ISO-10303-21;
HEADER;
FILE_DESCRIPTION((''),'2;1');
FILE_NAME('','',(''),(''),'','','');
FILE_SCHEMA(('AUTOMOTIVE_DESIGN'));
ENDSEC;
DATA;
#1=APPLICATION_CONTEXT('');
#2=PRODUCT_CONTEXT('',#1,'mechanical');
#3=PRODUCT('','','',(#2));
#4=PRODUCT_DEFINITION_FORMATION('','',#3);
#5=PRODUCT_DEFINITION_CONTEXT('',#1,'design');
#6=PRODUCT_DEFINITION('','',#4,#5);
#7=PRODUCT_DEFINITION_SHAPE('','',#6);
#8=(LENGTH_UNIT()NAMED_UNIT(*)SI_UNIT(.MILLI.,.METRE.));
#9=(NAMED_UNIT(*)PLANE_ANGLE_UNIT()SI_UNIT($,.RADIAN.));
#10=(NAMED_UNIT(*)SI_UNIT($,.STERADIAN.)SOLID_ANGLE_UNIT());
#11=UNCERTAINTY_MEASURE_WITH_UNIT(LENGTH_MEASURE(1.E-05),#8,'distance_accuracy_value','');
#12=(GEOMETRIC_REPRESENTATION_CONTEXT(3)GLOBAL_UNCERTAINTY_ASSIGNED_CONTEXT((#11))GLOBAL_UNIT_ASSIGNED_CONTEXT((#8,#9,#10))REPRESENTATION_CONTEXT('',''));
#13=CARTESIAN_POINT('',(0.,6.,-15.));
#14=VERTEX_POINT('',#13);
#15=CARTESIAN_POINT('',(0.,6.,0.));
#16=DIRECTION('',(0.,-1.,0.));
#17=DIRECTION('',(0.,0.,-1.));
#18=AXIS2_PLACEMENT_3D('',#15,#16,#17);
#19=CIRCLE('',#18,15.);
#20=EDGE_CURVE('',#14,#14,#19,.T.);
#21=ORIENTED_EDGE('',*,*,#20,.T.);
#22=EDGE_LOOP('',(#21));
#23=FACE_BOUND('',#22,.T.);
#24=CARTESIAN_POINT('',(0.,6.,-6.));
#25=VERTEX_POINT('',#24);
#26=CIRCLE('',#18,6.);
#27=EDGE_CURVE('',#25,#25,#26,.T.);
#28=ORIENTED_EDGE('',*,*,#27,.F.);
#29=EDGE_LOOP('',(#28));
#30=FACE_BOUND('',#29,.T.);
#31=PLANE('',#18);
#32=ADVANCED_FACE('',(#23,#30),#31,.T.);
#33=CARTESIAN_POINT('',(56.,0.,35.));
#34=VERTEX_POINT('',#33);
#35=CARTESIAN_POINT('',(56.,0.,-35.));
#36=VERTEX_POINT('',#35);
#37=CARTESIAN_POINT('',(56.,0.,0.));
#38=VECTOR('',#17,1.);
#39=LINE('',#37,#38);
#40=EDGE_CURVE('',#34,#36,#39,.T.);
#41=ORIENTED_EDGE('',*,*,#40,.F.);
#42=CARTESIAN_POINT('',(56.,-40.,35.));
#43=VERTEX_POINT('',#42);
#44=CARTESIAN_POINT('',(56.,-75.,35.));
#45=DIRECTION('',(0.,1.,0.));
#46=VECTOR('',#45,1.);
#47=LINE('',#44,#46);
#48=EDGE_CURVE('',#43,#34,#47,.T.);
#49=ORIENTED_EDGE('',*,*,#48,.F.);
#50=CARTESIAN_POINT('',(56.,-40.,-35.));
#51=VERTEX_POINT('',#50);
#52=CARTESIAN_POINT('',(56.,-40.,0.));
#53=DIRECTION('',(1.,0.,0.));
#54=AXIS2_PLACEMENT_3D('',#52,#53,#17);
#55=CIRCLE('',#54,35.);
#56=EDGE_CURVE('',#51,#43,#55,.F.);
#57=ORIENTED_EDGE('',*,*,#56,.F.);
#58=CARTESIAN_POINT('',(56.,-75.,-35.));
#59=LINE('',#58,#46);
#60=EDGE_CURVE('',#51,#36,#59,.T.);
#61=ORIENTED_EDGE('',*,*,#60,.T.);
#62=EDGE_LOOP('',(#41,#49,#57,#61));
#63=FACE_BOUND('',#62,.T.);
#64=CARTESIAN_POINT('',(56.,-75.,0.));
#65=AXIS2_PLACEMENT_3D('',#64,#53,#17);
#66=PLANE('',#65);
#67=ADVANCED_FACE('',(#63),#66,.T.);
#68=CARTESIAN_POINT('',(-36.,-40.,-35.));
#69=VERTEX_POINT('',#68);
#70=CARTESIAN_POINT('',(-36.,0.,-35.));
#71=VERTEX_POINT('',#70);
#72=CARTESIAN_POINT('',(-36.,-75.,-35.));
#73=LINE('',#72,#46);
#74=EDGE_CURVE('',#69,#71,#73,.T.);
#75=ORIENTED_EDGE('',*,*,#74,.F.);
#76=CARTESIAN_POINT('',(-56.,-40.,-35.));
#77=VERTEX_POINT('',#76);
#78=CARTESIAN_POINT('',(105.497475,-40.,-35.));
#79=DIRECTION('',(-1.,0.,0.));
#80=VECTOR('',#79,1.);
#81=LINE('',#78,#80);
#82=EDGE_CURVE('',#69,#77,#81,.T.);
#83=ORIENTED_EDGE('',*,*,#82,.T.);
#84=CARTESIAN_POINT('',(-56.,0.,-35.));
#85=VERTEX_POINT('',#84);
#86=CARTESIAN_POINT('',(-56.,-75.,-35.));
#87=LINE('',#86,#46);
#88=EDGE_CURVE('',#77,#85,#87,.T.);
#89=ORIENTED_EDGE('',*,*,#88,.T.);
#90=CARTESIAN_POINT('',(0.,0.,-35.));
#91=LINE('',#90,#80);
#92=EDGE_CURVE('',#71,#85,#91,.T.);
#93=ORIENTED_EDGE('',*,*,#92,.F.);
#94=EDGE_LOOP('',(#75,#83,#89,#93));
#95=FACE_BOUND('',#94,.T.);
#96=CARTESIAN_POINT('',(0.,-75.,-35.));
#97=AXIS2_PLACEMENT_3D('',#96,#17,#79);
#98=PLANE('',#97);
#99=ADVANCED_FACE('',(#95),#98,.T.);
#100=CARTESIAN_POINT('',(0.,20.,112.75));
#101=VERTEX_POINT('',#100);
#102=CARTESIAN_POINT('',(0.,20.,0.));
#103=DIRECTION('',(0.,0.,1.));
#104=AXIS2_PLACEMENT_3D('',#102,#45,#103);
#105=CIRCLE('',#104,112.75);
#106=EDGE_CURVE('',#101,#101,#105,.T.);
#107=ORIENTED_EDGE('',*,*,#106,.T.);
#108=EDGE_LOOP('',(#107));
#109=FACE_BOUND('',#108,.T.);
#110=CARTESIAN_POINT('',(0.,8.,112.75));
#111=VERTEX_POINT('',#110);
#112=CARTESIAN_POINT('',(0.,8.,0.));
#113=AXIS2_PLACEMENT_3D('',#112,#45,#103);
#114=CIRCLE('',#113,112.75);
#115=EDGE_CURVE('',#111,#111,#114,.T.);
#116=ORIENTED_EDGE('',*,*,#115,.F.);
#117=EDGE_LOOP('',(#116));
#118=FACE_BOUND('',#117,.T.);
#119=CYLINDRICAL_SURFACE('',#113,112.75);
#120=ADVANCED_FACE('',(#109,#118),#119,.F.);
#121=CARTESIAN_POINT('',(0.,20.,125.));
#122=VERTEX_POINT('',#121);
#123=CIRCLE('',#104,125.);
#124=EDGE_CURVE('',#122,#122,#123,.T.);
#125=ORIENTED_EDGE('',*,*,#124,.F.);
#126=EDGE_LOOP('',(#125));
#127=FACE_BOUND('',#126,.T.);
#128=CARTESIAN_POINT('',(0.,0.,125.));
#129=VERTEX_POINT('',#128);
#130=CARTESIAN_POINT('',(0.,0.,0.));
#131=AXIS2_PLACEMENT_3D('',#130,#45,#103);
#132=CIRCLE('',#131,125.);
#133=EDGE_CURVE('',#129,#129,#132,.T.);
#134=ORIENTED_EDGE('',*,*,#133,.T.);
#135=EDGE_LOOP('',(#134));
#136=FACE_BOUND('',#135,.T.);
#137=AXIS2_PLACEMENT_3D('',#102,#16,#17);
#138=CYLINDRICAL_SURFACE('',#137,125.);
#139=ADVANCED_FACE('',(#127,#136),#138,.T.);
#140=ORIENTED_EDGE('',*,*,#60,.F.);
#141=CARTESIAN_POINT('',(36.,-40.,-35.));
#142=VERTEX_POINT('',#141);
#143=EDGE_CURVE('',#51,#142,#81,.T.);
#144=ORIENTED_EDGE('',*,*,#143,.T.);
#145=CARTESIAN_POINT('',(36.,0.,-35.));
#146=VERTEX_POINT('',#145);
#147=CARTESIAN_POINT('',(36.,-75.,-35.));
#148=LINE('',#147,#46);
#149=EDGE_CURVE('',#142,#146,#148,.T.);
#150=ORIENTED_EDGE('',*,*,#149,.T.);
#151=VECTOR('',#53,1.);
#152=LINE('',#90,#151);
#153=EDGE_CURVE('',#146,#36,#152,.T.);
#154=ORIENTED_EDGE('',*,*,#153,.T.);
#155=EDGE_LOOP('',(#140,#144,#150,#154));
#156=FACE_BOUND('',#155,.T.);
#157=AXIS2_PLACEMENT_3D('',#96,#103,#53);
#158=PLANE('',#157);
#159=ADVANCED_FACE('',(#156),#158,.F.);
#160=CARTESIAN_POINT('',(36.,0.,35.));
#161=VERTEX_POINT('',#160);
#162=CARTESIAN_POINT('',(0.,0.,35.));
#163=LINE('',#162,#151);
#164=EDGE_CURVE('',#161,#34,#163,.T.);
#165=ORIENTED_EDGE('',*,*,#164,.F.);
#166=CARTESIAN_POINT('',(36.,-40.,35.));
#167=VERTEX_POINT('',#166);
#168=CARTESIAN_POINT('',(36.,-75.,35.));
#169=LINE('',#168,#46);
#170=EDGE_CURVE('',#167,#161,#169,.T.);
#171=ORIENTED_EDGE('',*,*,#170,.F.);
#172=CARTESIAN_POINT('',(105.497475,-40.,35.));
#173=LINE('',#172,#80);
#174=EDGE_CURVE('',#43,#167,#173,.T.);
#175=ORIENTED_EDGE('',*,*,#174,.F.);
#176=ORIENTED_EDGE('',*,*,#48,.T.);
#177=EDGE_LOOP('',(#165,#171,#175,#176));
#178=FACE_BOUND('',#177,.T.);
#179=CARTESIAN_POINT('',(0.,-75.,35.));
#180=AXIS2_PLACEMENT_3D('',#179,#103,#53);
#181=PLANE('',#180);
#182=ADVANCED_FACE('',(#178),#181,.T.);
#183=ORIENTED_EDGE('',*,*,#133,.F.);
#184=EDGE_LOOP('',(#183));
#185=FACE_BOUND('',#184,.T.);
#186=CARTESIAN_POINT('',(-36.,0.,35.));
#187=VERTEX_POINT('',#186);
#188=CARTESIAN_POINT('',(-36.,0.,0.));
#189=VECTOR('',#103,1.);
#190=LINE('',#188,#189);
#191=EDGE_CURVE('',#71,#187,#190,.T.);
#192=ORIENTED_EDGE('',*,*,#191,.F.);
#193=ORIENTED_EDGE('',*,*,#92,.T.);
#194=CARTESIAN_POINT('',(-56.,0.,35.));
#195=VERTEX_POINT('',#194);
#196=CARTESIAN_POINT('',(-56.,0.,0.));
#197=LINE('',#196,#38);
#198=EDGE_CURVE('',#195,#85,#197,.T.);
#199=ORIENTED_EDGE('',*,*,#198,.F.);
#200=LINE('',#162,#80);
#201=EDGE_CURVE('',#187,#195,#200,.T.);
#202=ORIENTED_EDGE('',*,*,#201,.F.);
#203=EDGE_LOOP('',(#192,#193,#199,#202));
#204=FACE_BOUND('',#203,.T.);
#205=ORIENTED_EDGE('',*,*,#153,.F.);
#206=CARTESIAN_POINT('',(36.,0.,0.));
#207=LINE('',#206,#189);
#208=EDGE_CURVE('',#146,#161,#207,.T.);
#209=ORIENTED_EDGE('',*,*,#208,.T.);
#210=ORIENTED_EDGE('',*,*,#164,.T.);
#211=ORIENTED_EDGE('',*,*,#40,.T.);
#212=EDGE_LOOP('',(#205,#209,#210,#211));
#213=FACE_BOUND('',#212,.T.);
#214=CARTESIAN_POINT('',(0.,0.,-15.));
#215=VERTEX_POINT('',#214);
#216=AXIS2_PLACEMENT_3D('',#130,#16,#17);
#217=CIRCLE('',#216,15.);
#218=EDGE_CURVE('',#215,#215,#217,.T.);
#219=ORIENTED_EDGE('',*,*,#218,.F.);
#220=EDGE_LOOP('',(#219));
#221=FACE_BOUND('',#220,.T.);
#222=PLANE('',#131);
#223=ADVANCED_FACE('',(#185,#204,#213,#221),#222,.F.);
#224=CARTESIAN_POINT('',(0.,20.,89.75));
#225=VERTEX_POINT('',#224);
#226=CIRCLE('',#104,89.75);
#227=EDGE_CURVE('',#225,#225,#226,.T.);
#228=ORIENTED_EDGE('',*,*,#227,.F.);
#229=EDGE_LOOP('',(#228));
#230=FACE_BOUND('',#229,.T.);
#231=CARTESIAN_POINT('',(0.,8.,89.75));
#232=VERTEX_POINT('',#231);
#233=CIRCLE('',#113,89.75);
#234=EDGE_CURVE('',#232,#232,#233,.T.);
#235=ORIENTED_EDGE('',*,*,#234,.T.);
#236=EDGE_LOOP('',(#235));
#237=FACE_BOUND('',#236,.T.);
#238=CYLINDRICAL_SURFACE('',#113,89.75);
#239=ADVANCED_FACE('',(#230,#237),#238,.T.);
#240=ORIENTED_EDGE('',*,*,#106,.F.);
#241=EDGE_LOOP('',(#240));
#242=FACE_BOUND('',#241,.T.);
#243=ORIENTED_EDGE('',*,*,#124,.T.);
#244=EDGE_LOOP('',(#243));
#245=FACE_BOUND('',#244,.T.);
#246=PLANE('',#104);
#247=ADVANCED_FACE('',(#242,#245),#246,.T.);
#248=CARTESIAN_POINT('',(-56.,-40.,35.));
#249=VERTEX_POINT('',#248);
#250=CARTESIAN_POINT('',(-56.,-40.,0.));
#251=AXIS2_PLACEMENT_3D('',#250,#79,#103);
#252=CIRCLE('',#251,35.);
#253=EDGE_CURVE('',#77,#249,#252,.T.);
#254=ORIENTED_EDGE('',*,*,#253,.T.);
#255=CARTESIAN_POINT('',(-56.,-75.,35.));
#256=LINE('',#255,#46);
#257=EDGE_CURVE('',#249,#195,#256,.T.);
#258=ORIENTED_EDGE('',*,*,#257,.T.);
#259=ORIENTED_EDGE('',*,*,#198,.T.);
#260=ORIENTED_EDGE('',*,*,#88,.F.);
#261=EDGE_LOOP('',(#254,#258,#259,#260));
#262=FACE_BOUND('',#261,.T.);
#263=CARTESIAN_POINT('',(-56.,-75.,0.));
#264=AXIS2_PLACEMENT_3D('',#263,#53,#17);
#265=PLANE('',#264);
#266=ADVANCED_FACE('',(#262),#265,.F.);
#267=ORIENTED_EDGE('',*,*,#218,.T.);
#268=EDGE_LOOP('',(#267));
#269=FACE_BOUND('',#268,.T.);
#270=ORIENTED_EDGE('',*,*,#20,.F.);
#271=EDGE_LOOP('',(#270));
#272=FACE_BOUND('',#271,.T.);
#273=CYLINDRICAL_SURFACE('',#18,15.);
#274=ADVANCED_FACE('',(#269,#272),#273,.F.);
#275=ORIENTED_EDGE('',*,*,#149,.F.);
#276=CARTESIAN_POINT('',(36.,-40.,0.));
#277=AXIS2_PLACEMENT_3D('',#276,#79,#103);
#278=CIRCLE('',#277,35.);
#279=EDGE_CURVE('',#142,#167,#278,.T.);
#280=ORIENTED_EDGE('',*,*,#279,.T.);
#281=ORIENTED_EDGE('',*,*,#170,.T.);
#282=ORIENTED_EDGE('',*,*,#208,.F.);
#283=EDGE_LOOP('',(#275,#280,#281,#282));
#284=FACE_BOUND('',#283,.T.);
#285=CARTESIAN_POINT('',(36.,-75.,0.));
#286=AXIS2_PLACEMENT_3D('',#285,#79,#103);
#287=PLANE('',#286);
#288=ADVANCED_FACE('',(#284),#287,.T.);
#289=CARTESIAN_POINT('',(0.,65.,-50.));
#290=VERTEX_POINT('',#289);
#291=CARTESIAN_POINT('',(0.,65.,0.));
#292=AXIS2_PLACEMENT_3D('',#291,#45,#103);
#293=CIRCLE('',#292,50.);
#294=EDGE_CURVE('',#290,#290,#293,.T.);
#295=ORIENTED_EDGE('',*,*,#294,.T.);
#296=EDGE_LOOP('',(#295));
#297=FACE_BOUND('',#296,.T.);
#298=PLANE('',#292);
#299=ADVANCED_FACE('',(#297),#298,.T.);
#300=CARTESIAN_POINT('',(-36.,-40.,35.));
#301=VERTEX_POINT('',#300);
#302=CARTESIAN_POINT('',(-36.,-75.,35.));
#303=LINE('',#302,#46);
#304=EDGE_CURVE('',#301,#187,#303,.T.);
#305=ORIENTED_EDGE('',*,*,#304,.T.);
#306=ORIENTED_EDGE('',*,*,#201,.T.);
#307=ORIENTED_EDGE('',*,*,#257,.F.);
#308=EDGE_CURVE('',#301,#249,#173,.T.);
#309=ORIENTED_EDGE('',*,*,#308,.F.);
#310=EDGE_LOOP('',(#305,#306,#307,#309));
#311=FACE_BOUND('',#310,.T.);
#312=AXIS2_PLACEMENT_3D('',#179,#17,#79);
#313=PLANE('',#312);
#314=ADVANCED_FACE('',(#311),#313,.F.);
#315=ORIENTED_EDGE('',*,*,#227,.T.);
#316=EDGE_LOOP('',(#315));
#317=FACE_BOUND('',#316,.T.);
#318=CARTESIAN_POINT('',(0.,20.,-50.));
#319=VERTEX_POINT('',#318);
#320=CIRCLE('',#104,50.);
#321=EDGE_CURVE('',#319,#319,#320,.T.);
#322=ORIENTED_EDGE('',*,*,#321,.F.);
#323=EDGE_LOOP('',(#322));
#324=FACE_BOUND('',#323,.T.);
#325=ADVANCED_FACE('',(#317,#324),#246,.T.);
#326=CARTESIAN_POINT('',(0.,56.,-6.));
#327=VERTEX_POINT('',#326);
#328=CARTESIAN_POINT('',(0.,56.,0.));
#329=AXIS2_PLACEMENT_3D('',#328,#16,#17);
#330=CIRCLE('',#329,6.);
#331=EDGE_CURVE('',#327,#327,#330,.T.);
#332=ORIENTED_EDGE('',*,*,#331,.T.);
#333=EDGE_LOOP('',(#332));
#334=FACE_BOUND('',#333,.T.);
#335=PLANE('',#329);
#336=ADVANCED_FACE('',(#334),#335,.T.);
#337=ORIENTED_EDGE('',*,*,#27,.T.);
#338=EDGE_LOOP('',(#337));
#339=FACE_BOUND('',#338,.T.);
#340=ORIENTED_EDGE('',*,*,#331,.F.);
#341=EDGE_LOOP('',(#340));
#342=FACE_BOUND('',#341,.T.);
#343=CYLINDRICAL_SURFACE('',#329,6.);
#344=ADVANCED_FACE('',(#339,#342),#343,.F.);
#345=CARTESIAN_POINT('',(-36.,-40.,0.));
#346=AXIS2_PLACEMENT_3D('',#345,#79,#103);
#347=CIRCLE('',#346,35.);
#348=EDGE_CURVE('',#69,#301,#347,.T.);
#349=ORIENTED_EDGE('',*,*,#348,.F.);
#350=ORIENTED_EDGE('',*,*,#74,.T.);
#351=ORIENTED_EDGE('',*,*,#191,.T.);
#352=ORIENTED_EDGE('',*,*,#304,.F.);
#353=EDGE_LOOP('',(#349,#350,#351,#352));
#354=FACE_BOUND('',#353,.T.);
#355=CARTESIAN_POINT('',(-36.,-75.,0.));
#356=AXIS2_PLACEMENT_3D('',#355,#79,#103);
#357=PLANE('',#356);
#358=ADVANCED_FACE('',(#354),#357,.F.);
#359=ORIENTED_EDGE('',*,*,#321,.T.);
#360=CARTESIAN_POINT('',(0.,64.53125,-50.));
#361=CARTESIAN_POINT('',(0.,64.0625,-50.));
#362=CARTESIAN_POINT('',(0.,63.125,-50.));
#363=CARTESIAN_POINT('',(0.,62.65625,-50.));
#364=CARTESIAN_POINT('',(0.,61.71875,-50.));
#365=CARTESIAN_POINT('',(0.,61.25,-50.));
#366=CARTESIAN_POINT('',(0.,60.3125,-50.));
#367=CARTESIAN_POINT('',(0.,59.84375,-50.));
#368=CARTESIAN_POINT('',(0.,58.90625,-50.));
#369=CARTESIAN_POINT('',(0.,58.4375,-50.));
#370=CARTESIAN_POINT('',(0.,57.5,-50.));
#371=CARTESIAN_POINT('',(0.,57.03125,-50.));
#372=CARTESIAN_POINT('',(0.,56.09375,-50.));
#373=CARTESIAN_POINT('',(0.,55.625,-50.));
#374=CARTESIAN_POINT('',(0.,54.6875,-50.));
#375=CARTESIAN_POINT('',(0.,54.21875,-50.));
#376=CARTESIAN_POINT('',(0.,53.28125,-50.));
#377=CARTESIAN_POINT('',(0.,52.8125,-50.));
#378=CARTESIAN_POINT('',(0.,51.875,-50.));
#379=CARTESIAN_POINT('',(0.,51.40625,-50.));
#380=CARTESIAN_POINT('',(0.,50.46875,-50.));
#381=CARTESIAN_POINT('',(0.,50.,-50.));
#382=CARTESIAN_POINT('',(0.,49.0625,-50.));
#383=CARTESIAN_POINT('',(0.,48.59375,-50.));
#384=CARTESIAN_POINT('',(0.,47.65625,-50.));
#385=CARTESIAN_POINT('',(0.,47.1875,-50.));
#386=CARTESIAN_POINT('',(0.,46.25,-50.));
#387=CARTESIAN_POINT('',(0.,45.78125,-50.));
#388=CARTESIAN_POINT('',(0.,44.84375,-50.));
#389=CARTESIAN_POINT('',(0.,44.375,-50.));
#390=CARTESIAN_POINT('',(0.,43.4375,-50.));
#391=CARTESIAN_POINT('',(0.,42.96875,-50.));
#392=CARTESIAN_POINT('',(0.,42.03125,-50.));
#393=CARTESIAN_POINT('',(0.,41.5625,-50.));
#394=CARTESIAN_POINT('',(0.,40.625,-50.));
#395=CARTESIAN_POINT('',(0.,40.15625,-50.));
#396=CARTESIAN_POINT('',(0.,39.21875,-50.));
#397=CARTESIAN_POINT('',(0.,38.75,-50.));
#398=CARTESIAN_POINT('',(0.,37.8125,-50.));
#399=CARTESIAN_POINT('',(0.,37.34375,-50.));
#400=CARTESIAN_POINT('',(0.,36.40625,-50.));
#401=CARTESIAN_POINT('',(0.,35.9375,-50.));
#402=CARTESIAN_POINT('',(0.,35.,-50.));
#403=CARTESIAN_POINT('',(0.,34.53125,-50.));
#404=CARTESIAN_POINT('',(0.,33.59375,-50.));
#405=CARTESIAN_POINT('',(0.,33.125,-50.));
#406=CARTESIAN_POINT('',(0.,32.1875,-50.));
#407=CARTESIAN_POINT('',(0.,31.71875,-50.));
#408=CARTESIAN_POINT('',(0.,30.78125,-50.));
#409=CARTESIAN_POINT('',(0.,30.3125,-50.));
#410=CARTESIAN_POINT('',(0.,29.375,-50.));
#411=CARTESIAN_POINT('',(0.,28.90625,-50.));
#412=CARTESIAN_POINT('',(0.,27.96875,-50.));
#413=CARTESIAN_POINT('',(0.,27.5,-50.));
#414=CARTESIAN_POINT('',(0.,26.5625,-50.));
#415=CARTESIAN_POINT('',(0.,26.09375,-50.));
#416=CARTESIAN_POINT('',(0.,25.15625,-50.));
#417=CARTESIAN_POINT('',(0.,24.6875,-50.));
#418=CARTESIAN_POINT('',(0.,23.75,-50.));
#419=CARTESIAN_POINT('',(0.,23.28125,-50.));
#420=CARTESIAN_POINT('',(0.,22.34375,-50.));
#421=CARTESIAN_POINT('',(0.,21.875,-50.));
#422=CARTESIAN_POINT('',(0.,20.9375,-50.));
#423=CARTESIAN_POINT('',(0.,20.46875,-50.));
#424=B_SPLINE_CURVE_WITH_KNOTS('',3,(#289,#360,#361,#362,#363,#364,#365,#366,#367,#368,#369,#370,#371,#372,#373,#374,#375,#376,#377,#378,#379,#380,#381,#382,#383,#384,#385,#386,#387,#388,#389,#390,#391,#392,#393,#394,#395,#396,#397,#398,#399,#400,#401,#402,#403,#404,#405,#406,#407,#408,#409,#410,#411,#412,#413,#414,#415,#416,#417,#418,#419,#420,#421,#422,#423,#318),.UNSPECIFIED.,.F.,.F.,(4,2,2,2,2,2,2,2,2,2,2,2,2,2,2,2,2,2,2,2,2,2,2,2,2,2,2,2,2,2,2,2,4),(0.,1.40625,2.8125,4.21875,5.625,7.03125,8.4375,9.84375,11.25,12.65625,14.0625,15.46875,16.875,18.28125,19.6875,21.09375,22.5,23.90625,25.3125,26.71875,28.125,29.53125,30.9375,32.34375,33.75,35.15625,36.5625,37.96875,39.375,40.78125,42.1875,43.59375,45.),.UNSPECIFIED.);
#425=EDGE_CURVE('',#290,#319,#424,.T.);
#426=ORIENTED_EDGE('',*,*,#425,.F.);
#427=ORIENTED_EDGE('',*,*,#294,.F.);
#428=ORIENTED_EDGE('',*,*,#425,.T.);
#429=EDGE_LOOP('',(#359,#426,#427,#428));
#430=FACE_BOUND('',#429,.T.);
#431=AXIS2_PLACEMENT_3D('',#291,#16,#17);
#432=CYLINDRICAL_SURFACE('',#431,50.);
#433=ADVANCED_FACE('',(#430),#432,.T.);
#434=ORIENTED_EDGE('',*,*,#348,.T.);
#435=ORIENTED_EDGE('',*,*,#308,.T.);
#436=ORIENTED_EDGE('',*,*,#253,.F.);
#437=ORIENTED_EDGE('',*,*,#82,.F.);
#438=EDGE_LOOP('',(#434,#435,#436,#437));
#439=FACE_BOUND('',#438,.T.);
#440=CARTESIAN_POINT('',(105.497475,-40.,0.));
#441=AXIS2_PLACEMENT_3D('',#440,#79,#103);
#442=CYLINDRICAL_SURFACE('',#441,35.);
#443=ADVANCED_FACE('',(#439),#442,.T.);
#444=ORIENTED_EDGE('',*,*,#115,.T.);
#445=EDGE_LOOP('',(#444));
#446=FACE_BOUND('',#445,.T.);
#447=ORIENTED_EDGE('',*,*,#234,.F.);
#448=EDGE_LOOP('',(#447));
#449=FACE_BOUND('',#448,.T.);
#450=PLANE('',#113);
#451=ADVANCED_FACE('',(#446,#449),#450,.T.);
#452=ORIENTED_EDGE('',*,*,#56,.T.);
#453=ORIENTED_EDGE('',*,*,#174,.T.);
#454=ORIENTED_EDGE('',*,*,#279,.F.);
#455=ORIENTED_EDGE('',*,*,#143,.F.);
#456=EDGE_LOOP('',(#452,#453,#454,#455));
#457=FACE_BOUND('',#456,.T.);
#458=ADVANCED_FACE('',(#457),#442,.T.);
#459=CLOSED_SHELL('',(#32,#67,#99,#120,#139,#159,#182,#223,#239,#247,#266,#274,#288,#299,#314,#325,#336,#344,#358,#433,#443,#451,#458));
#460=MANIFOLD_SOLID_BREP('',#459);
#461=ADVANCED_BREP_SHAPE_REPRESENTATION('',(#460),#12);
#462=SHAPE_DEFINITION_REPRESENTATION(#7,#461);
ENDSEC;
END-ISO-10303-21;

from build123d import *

# Parameters (mm, degrees)
SKIZZE1_R                       = 125
AUFSATZ_LINEAR_AUSTRAGEN1_DEPTH = 20
SKIZZE2_R                       = 50
AUFSATZ_LINEAR_AUSTRAGEN2_DEPTH = 45
SKIZZE3_W                       = 20
SKIZZE3_H                       = 70
AUFSATZ_LINEAR_AUSTRAGEN3_DEPTH = 75
SCHNITT_LINEAR_AUSTRAGEN1_REACH = 234.403
SKIZZE5_R                       = 112.75
SKIZZE5_R_2                     = 89.75
SCHNITT_LINEAR_AUSTRAGEN2_DEPTH = 12
SKIZZE6_R                       = 15
SCHNITT_LINEAR_AUSTRAGEN3_DEPTH = 6
SKIZZE7_R                       = 6
SCHNITT_LINEAR_AUSTRAGEN4_DEPTH = 50


with BuildPart() as part:
    # Skizze1 → Aufsatz-Linear austragen1 (new body)
    with BuildSketch(Plane(origin=(0, 0, 0), x_dir=(1, 0, 0), z_dir=(0, 1, 0))):
        with Locations(Location((0, 0, 0), (0, 0, 270))):
            Circle(SKIZZE1_R)
    extrude(amount=AUFSATZ_LINEAR_AUSTRAGEN1_DEPTH)

    # Skizze2 → Aufsatz-Linear austragen2 (add)
    with BuildSketch(Plane(origin=(0, 20, 0), x_dir=(1, 0, 0), z_dir=(0, 1, 0))):
        with Locations(Location((0, 0, 0), (0, 0, 90))):
            Circle(SKIZZE2_R)
    extrude(amount=AUFSATZ_LINEAR_AUSTRAGEN2_DEPTH)

    # Skizze3 → Aufsatz-Linear austragen3 (add)
    with BuildSketch(Plane.XZ):
        with Locations((-46, 0)):
            Rectangle(SKIZZE3_W, SKIZZE3_H)
        with Locations((46, 0)):
            Rectangle(SKIZZE3_W, SKIZZE3_H)
    extrude(amount=AUFSATZ_LINEAR_AUSTRAGEN3_DEPTH)

    # Schnitt-Linear austragen1: up to this face of the body (flat: up to its plane)
    schnitt_linear_austragen1_end = Plane(part.part.faces().sort_by_distance((56, -37.5, 0))[0])
    # Skizze4 → Schnitt-Linear austragen1 (cut, up to the picked face)
    with BuildSketch(Plane.ZY.offset(56), mode=Mode.PRIVATE) as schnitt_linear_austragen1_sk1:
        with BuildLine():
            ThreePointArc((0, -75), (-24.748737342, -64.748737342), (-35, -40))
            Line((-35, -40), (-35, -75))
            Line((-35, -75), (0, -75))
        make_face()
    schnitt_linear_austragen1_tool1 = split(extrude(schnitt_linear_austragen1_sk1.sketch, amount=-SCHNITT_LINEAR_AUSTRAGEN1_REACH, mode=Mode.PRIVATE), bisect_by=schnitt_linear_austragen1_end, keep=Keep.BOTH, mode=Mode.PRIVATE)
    # Skizze4 → Schnitt-Linear austragen1 (cut, up to the picked face)
    with BuildSketch(Plane.ZY.offset(56), mode=Mode.PRIVATE) as schnitt_linear_austragen1_sk2:
        with BuildLine():
            Line((35, -75), (35, -40))
            ThreePointArc((35, -40), (24.748737342, -64.748737342), (0, -75))
            Line((0, -75), (35, -75))
        make_face()
    schnitt_linear_austragen1_tool2 = split(extrude(schnitt_linear_austragen1_sk2.sketch, amount=-SCHNITT_LINEAR_AUSTRAGEN1_REACH, mode=Mode.PRIVATE), bisect_by=schnitt_linear_austragen1_end, keep=Keep.BOTH, mode=Mode.PRIVATE)
    add(schnitt_linear_austragen1_tool1.solids().sort_by(Axis((-56, -67.182122, -27.182122), (1, 0, 0)))[0], mode=Mode.SUBTRACT)
    add(schnitt_linear_austragen1_tool2.solids().sort_by(Axis((-56, -67.182122, 27.182122), (1, 0, 0)))[0], mode=Mode.SUBTRACT)

    # Skizze5 → Schnitt-Linear austragen2 (cut)
    with BuildSketch(Plane(origin=(0, 20, 0), x_dir=(1, 0, 0), z_dir=(0, 1, 0))):
        with Locations(Location((0, 0, 0), (0, 0, 270))):
            Circle(SKIZZE5_R)
        with Locations(Location((0, 0, 0), (0, 0, 270))):
            Circle(SKIZZE5_R_2, mode=Mode.SUBTRACT)
    extrude(amount=-SCHNITT_LINEAR_AUSTRAGEN2_DEPTH, mode=Mode.SUBTRACT)

    # Skizze6 → Schnitt-Linear austragen3 (cut)
    with BuildSketch(Plane.XZ):
        with Locations(Location((0, 0, 0), (0, 0, 270))):
            Circle(SKIZZE6_R)
    extrude(amount=-SCHNITT_LINEAR_AUSTRAGEN3_DEPTH, mode=Mode.SUBTRACT)

    # Skizze7 → Schnitt-Linear austragen4 (cut)
    with BuildSketch(Plane(origin=(0, 6, 0), x_dir=(-1, 0, 0), z_dir=(0, -1, 0))):
        with Locations(Location((0, 0, 0), (0, 0, 90))):
            Circle(SKIZZE7_R)
    extrude(amount=-SCHNITT_LINEAR_AUSTRAGEN4_DEPTH, mode=Mode.SUBTRACT)


solid = part.part
